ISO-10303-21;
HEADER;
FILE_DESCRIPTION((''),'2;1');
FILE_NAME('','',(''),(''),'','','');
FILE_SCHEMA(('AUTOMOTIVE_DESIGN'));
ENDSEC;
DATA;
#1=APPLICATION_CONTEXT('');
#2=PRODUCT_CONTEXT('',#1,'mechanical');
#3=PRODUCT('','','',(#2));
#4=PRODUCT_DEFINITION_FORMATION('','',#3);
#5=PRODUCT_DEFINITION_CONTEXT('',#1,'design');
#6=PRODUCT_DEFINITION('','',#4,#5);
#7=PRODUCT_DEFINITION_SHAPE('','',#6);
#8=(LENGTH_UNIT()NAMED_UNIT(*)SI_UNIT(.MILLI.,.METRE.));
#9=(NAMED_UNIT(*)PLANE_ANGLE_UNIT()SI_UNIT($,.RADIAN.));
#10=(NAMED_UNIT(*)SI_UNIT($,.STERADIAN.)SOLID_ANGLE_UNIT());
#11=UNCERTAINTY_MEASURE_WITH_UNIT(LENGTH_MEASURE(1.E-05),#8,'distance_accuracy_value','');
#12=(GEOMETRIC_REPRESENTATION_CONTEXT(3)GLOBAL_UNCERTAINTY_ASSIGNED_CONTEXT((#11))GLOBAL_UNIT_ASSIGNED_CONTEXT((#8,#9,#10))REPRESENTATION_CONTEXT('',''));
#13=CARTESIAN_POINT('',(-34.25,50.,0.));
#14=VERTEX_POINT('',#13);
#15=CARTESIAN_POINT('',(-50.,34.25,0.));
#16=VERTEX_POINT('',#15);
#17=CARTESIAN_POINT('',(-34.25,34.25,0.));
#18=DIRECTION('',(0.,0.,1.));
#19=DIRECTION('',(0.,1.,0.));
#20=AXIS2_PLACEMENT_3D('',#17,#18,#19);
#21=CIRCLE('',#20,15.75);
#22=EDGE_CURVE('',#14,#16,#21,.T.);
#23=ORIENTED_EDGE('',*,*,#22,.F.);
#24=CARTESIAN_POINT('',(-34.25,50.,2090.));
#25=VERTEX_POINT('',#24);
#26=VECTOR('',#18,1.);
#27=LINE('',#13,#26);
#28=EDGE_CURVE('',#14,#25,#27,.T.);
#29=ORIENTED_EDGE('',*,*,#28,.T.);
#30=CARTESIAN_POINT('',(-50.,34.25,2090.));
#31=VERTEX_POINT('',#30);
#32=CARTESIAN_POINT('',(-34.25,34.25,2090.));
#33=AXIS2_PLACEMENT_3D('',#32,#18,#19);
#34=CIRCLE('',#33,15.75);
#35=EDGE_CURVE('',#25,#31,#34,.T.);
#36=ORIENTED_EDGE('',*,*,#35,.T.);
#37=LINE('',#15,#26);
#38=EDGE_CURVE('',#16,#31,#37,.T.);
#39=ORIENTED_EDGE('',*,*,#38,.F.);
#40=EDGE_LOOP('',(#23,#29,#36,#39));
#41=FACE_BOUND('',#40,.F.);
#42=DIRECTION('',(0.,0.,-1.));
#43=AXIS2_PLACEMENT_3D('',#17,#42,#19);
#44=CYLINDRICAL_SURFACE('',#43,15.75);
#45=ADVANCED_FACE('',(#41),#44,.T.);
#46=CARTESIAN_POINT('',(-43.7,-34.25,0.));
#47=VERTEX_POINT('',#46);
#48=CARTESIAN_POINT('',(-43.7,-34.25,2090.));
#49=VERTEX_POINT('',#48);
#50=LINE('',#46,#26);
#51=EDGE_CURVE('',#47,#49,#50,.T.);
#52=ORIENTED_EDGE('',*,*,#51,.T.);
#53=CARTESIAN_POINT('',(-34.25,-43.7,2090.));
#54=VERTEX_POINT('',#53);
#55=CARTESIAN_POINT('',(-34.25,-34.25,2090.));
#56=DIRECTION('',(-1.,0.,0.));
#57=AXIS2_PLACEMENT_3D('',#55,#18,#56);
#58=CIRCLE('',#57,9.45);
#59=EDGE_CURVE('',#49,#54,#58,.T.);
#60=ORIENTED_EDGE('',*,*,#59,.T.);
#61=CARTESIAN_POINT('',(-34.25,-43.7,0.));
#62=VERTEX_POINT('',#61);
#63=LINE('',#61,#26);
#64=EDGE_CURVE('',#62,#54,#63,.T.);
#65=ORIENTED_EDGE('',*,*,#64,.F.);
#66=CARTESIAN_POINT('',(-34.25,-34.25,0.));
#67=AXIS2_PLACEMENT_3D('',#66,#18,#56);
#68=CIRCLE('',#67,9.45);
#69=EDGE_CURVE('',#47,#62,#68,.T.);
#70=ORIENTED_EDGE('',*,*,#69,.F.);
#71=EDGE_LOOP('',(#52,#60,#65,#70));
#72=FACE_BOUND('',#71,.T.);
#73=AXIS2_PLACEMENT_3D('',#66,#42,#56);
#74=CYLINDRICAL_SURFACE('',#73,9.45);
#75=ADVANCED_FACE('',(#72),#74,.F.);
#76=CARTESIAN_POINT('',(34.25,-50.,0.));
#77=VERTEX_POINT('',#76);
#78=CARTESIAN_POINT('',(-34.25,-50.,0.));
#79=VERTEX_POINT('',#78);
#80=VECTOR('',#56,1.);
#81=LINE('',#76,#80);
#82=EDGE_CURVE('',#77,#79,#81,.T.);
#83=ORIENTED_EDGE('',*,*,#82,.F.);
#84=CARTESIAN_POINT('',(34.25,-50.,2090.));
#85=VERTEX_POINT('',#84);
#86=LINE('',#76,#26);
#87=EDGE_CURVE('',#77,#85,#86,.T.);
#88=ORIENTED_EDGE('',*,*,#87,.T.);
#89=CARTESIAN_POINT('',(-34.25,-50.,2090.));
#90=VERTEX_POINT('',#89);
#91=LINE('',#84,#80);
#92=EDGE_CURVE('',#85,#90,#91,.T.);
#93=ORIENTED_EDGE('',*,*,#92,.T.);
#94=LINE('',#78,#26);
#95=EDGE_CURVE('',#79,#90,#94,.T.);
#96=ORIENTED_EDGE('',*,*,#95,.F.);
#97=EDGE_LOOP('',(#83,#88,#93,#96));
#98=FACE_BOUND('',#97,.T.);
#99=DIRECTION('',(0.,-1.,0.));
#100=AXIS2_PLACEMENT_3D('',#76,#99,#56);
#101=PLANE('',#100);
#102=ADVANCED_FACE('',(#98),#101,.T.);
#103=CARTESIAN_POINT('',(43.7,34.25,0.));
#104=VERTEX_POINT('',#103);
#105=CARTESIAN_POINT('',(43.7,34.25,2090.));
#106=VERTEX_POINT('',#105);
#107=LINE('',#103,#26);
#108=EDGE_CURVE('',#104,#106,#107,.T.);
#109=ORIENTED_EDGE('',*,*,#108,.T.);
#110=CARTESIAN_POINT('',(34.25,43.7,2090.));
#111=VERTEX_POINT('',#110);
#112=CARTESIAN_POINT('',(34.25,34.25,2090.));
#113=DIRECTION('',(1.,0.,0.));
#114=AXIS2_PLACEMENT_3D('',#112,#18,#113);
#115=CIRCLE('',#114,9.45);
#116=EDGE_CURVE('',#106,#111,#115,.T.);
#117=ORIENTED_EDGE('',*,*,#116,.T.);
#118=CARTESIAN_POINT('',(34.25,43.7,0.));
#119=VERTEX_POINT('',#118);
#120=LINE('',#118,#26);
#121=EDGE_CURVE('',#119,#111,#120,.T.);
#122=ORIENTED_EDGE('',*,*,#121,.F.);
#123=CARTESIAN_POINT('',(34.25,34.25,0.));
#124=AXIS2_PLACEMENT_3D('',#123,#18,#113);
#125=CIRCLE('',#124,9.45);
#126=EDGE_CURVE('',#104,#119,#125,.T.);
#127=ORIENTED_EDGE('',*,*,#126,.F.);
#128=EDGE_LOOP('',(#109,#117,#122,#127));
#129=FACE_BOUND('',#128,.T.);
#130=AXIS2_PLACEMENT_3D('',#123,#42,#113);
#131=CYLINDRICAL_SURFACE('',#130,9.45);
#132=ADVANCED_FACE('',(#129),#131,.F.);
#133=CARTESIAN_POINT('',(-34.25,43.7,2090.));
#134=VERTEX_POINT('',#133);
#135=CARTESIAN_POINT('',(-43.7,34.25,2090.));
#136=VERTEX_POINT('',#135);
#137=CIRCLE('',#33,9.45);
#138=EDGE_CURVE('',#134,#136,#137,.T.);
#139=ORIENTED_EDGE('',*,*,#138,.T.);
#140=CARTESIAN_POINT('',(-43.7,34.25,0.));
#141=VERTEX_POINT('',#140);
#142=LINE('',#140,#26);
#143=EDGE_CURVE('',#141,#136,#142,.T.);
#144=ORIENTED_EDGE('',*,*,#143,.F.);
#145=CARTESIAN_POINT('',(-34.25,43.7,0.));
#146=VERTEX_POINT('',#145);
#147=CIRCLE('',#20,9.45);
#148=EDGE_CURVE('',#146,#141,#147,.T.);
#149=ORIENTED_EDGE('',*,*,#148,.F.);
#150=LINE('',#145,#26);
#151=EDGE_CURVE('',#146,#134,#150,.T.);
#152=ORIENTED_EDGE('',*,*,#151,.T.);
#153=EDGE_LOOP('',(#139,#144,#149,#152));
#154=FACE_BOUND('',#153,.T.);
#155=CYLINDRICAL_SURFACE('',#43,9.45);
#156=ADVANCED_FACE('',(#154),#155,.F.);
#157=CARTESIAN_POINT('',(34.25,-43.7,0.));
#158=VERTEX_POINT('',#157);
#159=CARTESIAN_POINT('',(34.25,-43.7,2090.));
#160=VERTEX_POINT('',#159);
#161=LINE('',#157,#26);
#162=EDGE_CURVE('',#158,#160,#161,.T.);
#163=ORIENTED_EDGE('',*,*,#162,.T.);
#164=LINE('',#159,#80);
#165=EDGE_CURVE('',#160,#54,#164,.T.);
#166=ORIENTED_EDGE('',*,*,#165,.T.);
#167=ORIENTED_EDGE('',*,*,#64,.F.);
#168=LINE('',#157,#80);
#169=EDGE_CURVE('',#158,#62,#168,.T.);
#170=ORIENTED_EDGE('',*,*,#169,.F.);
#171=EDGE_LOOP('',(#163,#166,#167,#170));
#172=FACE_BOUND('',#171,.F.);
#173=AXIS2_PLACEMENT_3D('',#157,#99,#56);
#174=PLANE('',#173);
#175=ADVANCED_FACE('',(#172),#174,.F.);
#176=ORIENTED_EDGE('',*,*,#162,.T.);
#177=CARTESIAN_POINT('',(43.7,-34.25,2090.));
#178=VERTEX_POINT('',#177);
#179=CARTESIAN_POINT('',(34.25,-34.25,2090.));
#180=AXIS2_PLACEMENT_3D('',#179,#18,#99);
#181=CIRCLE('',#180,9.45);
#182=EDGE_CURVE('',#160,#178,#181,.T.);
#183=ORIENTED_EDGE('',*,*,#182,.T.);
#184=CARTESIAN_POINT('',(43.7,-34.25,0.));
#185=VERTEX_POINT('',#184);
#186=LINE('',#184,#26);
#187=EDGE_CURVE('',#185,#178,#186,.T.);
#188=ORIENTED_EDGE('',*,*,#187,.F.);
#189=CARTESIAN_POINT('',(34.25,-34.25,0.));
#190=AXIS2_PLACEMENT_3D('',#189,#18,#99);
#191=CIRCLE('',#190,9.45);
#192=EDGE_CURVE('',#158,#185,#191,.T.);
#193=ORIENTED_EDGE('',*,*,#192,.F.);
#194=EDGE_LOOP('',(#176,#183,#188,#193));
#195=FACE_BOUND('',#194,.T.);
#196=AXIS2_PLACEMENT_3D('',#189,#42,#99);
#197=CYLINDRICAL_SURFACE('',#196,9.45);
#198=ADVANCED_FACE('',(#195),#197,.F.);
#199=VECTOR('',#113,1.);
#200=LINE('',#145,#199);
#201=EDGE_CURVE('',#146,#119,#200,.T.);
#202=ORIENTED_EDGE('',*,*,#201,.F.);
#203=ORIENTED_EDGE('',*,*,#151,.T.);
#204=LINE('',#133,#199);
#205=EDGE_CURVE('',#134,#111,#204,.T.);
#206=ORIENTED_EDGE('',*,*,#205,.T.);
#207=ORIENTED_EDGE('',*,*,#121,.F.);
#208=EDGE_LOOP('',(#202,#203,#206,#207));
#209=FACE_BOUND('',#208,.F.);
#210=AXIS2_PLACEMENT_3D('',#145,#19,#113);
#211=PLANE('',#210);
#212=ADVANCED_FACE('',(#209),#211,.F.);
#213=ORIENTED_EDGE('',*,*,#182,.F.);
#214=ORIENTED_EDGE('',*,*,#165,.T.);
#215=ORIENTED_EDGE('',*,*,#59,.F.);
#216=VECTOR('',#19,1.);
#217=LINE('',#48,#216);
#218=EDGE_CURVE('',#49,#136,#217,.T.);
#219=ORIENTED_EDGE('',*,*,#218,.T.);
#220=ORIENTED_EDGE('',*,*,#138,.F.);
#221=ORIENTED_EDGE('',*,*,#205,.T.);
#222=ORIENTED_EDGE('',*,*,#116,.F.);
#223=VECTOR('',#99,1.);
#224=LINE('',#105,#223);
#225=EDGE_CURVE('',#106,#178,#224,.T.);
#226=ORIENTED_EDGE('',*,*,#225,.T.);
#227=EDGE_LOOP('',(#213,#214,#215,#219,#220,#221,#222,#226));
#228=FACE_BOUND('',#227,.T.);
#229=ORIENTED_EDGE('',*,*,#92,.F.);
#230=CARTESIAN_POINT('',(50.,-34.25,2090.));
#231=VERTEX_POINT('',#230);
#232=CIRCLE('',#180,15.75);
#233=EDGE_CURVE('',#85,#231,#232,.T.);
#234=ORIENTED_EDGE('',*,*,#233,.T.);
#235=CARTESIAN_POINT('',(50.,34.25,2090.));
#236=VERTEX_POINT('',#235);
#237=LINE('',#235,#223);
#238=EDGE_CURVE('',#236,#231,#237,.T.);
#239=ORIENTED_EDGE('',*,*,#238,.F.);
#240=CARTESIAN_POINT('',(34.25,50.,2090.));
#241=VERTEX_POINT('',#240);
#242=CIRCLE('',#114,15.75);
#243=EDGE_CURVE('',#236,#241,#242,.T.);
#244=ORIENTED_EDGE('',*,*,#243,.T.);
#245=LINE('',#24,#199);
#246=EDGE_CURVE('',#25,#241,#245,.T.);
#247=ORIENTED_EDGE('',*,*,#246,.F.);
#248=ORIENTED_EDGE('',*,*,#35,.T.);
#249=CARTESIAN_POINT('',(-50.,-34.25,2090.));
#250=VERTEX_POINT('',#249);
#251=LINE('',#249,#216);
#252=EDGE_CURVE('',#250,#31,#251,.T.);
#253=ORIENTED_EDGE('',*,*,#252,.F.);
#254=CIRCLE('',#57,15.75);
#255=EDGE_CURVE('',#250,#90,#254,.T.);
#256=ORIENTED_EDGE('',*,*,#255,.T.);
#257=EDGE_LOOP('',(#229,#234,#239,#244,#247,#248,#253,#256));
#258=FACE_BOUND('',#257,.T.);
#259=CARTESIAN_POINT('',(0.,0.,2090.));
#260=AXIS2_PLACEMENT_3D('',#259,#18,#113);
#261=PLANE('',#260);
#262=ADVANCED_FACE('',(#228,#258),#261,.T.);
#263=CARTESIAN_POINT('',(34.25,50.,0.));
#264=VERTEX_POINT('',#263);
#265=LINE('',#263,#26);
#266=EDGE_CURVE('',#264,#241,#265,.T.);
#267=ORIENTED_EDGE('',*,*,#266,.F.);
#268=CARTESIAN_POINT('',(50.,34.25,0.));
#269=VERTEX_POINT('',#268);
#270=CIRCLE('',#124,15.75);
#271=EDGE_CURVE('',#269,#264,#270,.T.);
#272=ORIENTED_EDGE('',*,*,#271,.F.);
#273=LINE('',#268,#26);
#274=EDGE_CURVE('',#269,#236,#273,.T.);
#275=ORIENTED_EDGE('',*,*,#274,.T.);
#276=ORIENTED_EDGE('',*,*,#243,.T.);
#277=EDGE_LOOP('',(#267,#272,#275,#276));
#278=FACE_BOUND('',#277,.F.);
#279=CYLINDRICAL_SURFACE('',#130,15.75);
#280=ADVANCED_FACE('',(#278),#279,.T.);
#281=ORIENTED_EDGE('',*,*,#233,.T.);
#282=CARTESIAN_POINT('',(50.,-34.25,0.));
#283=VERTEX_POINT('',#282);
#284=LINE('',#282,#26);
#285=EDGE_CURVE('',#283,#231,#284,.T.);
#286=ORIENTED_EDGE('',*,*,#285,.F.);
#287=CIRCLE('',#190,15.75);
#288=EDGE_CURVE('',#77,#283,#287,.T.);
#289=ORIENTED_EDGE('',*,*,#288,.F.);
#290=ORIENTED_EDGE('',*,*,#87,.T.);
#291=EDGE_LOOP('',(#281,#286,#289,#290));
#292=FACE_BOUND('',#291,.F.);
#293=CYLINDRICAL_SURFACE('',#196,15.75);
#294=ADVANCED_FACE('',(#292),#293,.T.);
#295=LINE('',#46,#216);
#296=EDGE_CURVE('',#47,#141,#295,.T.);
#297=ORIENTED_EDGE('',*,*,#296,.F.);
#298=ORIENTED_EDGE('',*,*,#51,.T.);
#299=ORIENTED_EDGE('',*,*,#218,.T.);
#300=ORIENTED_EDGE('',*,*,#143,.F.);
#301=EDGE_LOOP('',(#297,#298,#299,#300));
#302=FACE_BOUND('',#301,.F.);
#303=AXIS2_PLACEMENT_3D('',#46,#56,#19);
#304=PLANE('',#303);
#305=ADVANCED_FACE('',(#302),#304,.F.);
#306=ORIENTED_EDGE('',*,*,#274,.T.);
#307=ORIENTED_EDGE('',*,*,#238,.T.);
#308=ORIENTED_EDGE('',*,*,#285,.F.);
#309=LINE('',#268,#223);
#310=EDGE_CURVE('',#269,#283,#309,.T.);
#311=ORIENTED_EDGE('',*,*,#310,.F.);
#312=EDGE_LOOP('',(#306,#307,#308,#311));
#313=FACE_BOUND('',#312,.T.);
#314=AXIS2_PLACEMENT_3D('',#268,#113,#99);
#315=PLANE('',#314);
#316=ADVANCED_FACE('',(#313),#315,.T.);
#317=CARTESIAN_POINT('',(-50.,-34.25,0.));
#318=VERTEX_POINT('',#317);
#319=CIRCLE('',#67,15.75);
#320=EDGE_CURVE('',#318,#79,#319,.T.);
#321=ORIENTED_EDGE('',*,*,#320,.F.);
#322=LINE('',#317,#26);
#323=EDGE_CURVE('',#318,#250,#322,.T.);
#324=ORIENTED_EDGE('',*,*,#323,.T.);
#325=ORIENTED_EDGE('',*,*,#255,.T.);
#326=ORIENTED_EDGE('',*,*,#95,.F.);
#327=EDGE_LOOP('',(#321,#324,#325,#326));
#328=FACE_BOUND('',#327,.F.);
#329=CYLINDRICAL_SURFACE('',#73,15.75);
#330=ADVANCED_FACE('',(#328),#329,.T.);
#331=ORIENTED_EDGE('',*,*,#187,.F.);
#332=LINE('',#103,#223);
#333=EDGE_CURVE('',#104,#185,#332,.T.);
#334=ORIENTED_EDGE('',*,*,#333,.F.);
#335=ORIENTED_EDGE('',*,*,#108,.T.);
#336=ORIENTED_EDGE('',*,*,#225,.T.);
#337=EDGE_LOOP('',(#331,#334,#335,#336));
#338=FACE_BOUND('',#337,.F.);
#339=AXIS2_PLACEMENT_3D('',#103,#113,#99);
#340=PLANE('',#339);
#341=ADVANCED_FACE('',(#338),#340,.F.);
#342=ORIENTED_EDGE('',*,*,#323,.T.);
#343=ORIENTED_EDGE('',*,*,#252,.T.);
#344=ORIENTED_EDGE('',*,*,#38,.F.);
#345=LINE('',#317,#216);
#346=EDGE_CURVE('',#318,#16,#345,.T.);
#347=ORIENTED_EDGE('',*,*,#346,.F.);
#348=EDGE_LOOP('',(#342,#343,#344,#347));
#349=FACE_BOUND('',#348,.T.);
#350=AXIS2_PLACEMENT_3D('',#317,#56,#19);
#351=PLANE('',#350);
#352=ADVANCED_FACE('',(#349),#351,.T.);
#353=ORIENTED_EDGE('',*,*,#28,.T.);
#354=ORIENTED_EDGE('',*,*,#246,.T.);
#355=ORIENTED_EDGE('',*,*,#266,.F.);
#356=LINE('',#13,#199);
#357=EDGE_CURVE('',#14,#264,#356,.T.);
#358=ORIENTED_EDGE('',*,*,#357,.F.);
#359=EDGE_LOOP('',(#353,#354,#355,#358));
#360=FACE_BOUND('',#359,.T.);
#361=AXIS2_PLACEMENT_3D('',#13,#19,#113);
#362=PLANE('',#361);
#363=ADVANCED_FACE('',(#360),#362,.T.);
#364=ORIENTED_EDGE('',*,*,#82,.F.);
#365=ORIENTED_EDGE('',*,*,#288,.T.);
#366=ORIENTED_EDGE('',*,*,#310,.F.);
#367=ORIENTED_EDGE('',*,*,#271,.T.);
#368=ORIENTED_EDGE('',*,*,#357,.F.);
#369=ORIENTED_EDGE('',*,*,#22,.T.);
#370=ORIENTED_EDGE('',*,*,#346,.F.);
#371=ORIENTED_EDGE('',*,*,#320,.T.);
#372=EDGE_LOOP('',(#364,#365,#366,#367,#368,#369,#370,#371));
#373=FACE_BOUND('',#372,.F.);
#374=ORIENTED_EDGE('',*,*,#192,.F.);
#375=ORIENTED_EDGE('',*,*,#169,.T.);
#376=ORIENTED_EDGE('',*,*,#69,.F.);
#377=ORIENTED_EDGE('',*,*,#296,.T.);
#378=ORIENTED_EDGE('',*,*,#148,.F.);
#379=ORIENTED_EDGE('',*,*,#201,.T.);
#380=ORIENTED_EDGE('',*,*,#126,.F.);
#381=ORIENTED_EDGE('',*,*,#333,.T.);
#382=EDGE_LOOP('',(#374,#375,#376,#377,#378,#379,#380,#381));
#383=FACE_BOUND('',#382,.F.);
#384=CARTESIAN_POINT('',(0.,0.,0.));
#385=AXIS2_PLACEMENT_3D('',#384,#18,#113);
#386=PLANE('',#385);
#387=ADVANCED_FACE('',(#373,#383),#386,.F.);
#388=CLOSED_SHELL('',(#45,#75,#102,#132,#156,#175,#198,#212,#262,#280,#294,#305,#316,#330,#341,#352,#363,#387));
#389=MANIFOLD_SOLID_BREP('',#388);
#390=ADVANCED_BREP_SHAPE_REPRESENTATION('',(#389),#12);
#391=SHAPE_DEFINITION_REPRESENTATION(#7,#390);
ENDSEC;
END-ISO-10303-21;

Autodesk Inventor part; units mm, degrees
ref_plane "YZ Plane" through (0, 0, 0) normal (1, 0, 0) x (0, 1, 0)
ref_plane "Start Plane" through (0, 0, 0) normal (0, 0, 1) x (1, 0, 0)
ref_plane "End Plane" through (0, 0, 2090) normal (0, 0, 1) x (1, 0, 0)
sketch "Sketch" plane through (0, 0, 0) normal (0, 0, 1) x (1, 0, 0)
  line L0 (-50, -34.25) -> (-50, 34.25)
  line L1 (-34.25, 50) -> (34.25, 50)
  line L2 (50, 34.25) -> (50, -34.25)
  line L3 (34.25, -50) -> (-34.25, -50)
  arc A0 (-50, -34.25) -> (-34.25, -50) centre (-34.25, -34.25) ccw
  arc A1 (50, 34.25) -> (34.25, 50) centre (34.25, 34.25) ccw
  arc A2 (-34.25, 50) -> (-50, 34.25) centre (-34.25, 34.25) ccw
  arc A3 (34.25, -50) -> (50, -34.25) centre (34.25, -34.25) ccw
  arc A4 (-34.25, 43.7) -> (-43.7, 34.25) centre (-34.25, 34.25) ccw
  line L4 (-34.25, 43.7) -> (34.25, 43.7)
  arc A5 (43.7, 34.25) -> (34.25, 43.7) centre (34.25, 34.25) ccw
  line L5 (43.7, 34.25) -> (43.7, -34.25)
  arc A6 (34.25, -43.7) -> (43.7, -34.25) centre (34.25, -34.25) ccw
  line L6 (34.25, -43.7) -> (-34.25, -43.7)
  arc A7 (-43.7, -34.25) -> (-34.25, -43.7) centre (-34.25, -34.25) ccw
  line L7 (-43.7, -34.25) -> (-43.7, 34.25)
  line L8 (0, 74.5667) -> (0, -74.5667) construction
  line L9 (-74.5667, 0) -> (74.5667, 0) construction
  dimension "d7" = 15.75
  dimension "d9" = 100
  dimension "d11" = 100
  dimension "d12" = 6.3
  dimension "d15" = 50
  dimension "d16" = 50
extrude "Body" add sketch "Sketch" along normal up to surface (2090 mm away) from surface at 0
sketch "Sketch3" plane through (0, 0, 0) normal (0, 0, 1) x (1, 0, 0)
  line L0 (0, 0) -> (10, 0)
ref_plane "Work Plane3" through (0, 0, 0) normal (0, -1, 0) x (1, 0, 0)
sketch "Sketch4" plane through (0, 0, 0) normal (0, -1, 0) x (1, 0, 0)
  line L0 (-2, 0) -> (12, 0)
  line L1 (-2, 2090) -> (12, 2090)
  dimension "d18" = 2090
equation "\"d7\" = G_IR"
equation "\"d9\" = G_W"
equation "\"d11\" = G_H"
equation "\"d12\" = G_T"
equation "\"d15\" = 0.5 * d9"
equation "\"d16\" = 0.5 * d11"
equation "\"d3\" = G_L"
equation "\"G_W\" = 100"
equation "\"G_H\" = 100"
equation "\"G_T\" = 6.3"
equation "\"G_IR\" = 15.75"
equation "\"G_L\" = d18"
equation "\"G_OFFSET_START\" = 0"
equation "\"G_OFFSET_END\" = 0"
properties part number "ISO 4019 - 100x100x6.3 - 2090" material "Steel, Mild"
